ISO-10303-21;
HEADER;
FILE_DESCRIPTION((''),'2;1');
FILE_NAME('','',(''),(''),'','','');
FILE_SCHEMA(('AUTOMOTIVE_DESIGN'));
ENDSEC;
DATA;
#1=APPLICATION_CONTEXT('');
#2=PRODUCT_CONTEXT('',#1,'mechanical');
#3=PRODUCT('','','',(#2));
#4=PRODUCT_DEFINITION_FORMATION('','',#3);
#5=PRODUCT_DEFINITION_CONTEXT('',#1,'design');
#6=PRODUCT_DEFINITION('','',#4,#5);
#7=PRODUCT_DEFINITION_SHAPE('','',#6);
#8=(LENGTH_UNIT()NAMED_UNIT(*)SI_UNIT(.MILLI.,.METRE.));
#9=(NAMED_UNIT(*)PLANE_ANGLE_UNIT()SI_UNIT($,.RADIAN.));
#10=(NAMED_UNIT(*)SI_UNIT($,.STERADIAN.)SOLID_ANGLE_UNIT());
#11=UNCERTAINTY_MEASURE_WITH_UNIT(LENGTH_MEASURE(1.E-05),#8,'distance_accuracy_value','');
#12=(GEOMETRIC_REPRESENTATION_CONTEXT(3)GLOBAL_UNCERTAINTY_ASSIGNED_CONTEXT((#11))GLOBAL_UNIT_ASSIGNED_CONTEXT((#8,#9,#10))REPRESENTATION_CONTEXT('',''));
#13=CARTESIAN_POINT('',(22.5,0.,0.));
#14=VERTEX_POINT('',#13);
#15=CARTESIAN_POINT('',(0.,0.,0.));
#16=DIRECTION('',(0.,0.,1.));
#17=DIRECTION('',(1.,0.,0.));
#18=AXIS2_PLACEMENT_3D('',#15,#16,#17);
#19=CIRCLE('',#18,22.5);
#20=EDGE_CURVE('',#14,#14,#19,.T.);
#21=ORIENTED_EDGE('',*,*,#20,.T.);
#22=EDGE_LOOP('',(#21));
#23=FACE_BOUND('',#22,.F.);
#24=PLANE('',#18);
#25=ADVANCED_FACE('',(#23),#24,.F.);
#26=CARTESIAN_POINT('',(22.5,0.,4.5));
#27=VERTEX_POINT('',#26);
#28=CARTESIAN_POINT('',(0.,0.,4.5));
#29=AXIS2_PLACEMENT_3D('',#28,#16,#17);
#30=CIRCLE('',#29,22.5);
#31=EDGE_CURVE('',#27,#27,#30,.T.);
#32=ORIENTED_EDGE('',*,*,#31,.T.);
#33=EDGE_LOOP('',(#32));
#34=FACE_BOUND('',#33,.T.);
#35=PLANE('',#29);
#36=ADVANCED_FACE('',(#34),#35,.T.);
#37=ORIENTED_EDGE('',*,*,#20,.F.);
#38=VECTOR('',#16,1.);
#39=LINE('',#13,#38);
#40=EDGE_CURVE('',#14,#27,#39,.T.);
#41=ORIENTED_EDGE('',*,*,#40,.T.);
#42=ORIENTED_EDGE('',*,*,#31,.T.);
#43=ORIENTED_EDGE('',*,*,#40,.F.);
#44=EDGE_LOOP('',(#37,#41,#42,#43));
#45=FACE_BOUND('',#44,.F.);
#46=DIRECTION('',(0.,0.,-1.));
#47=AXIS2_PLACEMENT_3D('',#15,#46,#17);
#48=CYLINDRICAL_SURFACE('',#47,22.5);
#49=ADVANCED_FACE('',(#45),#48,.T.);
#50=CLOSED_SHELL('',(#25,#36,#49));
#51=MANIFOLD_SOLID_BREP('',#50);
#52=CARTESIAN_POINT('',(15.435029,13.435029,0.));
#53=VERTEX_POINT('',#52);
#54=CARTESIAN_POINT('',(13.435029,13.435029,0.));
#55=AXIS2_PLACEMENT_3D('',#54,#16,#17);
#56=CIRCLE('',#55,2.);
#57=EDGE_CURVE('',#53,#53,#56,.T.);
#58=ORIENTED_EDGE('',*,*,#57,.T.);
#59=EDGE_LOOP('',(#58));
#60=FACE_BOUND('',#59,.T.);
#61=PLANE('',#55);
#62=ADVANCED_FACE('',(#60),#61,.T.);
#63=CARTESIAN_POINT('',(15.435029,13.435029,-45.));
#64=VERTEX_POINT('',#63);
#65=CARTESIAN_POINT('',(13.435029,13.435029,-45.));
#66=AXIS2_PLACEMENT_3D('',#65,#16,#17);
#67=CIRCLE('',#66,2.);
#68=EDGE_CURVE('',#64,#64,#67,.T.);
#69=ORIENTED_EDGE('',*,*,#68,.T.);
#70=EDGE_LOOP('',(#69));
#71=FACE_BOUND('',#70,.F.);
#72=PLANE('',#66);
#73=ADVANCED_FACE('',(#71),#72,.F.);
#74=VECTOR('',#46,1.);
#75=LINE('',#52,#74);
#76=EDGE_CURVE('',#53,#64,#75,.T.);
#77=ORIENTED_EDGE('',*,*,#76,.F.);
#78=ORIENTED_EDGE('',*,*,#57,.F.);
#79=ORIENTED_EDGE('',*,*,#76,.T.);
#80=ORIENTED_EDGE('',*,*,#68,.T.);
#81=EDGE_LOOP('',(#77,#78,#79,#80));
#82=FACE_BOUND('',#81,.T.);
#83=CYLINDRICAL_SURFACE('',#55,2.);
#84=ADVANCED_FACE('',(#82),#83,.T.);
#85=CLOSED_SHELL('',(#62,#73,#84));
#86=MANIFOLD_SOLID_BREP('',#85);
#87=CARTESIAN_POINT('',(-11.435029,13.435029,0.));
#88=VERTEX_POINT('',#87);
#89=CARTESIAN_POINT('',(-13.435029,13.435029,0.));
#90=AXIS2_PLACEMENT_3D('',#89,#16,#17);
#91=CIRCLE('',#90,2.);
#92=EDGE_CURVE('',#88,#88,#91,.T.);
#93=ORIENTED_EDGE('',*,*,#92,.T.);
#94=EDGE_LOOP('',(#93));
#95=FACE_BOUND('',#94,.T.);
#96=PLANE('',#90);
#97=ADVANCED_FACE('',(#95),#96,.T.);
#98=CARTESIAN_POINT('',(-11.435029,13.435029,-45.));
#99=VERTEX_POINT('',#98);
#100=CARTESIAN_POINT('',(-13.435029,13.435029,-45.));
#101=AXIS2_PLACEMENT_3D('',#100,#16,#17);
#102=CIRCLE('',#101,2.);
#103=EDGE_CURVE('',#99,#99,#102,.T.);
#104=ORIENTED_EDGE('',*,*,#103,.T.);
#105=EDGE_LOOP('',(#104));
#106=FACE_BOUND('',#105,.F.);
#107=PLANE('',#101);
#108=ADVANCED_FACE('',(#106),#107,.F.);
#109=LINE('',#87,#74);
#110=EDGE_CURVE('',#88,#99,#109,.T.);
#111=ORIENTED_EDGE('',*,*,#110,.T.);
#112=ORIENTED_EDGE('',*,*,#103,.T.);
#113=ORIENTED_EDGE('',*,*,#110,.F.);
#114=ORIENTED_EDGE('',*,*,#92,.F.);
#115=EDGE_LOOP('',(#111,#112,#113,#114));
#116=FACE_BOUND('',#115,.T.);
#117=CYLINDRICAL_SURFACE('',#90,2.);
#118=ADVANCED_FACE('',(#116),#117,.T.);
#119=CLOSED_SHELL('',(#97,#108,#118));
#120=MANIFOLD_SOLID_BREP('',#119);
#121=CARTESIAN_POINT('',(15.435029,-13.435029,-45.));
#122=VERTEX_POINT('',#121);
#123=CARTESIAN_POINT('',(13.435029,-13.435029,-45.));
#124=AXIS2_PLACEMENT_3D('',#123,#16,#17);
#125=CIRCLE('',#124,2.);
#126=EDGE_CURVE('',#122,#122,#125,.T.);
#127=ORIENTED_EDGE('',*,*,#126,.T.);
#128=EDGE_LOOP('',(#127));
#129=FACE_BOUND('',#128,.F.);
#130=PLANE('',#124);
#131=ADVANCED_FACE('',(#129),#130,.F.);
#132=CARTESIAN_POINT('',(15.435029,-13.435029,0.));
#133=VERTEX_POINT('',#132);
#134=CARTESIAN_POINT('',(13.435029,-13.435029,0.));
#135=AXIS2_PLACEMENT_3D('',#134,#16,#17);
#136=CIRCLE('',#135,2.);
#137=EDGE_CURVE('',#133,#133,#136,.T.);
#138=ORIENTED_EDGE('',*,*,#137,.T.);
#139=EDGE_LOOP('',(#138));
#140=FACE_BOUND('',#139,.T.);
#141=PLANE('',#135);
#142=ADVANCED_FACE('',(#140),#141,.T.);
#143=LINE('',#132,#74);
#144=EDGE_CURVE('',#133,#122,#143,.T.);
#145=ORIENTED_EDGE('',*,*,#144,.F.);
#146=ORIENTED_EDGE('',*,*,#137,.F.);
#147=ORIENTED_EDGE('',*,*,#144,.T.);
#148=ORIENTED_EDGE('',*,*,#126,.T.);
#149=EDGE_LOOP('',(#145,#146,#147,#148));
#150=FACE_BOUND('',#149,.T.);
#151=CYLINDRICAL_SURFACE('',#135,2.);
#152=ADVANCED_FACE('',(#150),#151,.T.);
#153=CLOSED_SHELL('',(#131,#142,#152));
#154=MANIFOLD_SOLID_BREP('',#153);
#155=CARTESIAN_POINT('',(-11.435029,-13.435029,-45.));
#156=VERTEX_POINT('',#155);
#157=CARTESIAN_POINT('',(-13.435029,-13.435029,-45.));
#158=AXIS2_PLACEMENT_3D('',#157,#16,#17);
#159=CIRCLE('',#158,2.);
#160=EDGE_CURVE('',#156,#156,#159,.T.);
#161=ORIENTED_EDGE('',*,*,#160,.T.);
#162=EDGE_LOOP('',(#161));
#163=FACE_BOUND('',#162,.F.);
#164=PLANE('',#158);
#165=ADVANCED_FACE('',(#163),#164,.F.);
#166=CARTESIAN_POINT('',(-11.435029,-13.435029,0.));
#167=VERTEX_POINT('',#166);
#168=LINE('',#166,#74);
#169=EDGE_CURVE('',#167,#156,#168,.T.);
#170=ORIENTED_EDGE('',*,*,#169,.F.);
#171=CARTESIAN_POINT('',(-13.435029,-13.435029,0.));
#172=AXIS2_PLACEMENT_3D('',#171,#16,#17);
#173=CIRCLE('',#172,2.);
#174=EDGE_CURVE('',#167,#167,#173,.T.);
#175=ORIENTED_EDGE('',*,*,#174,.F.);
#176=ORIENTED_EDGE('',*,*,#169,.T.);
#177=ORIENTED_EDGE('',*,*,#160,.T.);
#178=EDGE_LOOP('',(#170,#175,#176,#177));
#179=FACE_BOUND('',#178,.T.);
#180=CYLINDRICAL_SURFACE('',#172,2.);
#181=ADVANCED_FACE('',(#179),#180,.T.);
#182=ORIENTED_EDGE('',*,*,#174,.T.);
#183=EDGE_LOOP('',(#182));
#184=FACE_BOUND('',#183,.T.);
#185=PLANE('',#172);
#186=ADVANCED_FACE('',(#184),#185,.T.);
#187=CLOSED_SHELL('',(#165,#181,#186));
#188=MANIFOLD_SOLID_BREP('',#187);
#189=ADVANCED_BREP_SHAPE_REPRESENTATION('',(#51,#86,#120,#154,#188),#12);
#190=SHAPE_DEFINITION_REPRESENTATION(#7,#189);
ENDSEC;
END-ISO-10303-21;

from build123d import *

# Parameters (mm, degrees)
F0_R     = 22.5
F0_R_2   = 2
F1_DEPTH = 4.5
F2_DEPTH = 45


with BuildPart() as f1:
    # F0 (on Top) → F1 (new body)
    with BuildSketch(Plane.XY):
        Circle(F0_R)
        with Locations((-13.435029, -13.435029)):
            Circle(F0_R_2, mode=Mode.SUBTRACT)
        with Locations((13.435029, -13.435029)):
            Circle(F0_R_2, mode=Mode.SUBTRACT)
        with Locations((-13.435029, 13.435029)):
            Circle(F0_R_2, mode=Mode.SUBTRACT)
        with Locations((13.435029, 13.435029)):
            Circle(F0_R_2, mode=Mode.SUBTRACT)
        with Locations((-13.435029, 13.435029)):
            Circle(F0_R_2)
        with Locations((13.435029, 13.435029)):
            Circle(F0_R_2)
        with Locations((-13.435029, -13.435029)):
            Circle(F0_R_2)
        with Locations((13.435029, -13.435029)):
            Circle(F0_R_2)
    extrude(amount=F1_DEPTH)


with BuildPart() as f2:
    # F0 (on Top) → F2 (new body)
    with BuildSketch(Plane.XY):
        with Locations((-13.435029, -13.435029)):
            Circle(F0_R_2)
        with Locations((13.435029, -13.435029)):
            Circle(F0_R_2)
        with Locations((-13.435029, 13.435029)):
            Circle(F0_R_2)
        with Locations((13.435029, 13.435029)):
            Circle(F0_R_2)
    extrude(amount=-F2_DEPTH)


solid = Compound([f1.part, f2.part])
